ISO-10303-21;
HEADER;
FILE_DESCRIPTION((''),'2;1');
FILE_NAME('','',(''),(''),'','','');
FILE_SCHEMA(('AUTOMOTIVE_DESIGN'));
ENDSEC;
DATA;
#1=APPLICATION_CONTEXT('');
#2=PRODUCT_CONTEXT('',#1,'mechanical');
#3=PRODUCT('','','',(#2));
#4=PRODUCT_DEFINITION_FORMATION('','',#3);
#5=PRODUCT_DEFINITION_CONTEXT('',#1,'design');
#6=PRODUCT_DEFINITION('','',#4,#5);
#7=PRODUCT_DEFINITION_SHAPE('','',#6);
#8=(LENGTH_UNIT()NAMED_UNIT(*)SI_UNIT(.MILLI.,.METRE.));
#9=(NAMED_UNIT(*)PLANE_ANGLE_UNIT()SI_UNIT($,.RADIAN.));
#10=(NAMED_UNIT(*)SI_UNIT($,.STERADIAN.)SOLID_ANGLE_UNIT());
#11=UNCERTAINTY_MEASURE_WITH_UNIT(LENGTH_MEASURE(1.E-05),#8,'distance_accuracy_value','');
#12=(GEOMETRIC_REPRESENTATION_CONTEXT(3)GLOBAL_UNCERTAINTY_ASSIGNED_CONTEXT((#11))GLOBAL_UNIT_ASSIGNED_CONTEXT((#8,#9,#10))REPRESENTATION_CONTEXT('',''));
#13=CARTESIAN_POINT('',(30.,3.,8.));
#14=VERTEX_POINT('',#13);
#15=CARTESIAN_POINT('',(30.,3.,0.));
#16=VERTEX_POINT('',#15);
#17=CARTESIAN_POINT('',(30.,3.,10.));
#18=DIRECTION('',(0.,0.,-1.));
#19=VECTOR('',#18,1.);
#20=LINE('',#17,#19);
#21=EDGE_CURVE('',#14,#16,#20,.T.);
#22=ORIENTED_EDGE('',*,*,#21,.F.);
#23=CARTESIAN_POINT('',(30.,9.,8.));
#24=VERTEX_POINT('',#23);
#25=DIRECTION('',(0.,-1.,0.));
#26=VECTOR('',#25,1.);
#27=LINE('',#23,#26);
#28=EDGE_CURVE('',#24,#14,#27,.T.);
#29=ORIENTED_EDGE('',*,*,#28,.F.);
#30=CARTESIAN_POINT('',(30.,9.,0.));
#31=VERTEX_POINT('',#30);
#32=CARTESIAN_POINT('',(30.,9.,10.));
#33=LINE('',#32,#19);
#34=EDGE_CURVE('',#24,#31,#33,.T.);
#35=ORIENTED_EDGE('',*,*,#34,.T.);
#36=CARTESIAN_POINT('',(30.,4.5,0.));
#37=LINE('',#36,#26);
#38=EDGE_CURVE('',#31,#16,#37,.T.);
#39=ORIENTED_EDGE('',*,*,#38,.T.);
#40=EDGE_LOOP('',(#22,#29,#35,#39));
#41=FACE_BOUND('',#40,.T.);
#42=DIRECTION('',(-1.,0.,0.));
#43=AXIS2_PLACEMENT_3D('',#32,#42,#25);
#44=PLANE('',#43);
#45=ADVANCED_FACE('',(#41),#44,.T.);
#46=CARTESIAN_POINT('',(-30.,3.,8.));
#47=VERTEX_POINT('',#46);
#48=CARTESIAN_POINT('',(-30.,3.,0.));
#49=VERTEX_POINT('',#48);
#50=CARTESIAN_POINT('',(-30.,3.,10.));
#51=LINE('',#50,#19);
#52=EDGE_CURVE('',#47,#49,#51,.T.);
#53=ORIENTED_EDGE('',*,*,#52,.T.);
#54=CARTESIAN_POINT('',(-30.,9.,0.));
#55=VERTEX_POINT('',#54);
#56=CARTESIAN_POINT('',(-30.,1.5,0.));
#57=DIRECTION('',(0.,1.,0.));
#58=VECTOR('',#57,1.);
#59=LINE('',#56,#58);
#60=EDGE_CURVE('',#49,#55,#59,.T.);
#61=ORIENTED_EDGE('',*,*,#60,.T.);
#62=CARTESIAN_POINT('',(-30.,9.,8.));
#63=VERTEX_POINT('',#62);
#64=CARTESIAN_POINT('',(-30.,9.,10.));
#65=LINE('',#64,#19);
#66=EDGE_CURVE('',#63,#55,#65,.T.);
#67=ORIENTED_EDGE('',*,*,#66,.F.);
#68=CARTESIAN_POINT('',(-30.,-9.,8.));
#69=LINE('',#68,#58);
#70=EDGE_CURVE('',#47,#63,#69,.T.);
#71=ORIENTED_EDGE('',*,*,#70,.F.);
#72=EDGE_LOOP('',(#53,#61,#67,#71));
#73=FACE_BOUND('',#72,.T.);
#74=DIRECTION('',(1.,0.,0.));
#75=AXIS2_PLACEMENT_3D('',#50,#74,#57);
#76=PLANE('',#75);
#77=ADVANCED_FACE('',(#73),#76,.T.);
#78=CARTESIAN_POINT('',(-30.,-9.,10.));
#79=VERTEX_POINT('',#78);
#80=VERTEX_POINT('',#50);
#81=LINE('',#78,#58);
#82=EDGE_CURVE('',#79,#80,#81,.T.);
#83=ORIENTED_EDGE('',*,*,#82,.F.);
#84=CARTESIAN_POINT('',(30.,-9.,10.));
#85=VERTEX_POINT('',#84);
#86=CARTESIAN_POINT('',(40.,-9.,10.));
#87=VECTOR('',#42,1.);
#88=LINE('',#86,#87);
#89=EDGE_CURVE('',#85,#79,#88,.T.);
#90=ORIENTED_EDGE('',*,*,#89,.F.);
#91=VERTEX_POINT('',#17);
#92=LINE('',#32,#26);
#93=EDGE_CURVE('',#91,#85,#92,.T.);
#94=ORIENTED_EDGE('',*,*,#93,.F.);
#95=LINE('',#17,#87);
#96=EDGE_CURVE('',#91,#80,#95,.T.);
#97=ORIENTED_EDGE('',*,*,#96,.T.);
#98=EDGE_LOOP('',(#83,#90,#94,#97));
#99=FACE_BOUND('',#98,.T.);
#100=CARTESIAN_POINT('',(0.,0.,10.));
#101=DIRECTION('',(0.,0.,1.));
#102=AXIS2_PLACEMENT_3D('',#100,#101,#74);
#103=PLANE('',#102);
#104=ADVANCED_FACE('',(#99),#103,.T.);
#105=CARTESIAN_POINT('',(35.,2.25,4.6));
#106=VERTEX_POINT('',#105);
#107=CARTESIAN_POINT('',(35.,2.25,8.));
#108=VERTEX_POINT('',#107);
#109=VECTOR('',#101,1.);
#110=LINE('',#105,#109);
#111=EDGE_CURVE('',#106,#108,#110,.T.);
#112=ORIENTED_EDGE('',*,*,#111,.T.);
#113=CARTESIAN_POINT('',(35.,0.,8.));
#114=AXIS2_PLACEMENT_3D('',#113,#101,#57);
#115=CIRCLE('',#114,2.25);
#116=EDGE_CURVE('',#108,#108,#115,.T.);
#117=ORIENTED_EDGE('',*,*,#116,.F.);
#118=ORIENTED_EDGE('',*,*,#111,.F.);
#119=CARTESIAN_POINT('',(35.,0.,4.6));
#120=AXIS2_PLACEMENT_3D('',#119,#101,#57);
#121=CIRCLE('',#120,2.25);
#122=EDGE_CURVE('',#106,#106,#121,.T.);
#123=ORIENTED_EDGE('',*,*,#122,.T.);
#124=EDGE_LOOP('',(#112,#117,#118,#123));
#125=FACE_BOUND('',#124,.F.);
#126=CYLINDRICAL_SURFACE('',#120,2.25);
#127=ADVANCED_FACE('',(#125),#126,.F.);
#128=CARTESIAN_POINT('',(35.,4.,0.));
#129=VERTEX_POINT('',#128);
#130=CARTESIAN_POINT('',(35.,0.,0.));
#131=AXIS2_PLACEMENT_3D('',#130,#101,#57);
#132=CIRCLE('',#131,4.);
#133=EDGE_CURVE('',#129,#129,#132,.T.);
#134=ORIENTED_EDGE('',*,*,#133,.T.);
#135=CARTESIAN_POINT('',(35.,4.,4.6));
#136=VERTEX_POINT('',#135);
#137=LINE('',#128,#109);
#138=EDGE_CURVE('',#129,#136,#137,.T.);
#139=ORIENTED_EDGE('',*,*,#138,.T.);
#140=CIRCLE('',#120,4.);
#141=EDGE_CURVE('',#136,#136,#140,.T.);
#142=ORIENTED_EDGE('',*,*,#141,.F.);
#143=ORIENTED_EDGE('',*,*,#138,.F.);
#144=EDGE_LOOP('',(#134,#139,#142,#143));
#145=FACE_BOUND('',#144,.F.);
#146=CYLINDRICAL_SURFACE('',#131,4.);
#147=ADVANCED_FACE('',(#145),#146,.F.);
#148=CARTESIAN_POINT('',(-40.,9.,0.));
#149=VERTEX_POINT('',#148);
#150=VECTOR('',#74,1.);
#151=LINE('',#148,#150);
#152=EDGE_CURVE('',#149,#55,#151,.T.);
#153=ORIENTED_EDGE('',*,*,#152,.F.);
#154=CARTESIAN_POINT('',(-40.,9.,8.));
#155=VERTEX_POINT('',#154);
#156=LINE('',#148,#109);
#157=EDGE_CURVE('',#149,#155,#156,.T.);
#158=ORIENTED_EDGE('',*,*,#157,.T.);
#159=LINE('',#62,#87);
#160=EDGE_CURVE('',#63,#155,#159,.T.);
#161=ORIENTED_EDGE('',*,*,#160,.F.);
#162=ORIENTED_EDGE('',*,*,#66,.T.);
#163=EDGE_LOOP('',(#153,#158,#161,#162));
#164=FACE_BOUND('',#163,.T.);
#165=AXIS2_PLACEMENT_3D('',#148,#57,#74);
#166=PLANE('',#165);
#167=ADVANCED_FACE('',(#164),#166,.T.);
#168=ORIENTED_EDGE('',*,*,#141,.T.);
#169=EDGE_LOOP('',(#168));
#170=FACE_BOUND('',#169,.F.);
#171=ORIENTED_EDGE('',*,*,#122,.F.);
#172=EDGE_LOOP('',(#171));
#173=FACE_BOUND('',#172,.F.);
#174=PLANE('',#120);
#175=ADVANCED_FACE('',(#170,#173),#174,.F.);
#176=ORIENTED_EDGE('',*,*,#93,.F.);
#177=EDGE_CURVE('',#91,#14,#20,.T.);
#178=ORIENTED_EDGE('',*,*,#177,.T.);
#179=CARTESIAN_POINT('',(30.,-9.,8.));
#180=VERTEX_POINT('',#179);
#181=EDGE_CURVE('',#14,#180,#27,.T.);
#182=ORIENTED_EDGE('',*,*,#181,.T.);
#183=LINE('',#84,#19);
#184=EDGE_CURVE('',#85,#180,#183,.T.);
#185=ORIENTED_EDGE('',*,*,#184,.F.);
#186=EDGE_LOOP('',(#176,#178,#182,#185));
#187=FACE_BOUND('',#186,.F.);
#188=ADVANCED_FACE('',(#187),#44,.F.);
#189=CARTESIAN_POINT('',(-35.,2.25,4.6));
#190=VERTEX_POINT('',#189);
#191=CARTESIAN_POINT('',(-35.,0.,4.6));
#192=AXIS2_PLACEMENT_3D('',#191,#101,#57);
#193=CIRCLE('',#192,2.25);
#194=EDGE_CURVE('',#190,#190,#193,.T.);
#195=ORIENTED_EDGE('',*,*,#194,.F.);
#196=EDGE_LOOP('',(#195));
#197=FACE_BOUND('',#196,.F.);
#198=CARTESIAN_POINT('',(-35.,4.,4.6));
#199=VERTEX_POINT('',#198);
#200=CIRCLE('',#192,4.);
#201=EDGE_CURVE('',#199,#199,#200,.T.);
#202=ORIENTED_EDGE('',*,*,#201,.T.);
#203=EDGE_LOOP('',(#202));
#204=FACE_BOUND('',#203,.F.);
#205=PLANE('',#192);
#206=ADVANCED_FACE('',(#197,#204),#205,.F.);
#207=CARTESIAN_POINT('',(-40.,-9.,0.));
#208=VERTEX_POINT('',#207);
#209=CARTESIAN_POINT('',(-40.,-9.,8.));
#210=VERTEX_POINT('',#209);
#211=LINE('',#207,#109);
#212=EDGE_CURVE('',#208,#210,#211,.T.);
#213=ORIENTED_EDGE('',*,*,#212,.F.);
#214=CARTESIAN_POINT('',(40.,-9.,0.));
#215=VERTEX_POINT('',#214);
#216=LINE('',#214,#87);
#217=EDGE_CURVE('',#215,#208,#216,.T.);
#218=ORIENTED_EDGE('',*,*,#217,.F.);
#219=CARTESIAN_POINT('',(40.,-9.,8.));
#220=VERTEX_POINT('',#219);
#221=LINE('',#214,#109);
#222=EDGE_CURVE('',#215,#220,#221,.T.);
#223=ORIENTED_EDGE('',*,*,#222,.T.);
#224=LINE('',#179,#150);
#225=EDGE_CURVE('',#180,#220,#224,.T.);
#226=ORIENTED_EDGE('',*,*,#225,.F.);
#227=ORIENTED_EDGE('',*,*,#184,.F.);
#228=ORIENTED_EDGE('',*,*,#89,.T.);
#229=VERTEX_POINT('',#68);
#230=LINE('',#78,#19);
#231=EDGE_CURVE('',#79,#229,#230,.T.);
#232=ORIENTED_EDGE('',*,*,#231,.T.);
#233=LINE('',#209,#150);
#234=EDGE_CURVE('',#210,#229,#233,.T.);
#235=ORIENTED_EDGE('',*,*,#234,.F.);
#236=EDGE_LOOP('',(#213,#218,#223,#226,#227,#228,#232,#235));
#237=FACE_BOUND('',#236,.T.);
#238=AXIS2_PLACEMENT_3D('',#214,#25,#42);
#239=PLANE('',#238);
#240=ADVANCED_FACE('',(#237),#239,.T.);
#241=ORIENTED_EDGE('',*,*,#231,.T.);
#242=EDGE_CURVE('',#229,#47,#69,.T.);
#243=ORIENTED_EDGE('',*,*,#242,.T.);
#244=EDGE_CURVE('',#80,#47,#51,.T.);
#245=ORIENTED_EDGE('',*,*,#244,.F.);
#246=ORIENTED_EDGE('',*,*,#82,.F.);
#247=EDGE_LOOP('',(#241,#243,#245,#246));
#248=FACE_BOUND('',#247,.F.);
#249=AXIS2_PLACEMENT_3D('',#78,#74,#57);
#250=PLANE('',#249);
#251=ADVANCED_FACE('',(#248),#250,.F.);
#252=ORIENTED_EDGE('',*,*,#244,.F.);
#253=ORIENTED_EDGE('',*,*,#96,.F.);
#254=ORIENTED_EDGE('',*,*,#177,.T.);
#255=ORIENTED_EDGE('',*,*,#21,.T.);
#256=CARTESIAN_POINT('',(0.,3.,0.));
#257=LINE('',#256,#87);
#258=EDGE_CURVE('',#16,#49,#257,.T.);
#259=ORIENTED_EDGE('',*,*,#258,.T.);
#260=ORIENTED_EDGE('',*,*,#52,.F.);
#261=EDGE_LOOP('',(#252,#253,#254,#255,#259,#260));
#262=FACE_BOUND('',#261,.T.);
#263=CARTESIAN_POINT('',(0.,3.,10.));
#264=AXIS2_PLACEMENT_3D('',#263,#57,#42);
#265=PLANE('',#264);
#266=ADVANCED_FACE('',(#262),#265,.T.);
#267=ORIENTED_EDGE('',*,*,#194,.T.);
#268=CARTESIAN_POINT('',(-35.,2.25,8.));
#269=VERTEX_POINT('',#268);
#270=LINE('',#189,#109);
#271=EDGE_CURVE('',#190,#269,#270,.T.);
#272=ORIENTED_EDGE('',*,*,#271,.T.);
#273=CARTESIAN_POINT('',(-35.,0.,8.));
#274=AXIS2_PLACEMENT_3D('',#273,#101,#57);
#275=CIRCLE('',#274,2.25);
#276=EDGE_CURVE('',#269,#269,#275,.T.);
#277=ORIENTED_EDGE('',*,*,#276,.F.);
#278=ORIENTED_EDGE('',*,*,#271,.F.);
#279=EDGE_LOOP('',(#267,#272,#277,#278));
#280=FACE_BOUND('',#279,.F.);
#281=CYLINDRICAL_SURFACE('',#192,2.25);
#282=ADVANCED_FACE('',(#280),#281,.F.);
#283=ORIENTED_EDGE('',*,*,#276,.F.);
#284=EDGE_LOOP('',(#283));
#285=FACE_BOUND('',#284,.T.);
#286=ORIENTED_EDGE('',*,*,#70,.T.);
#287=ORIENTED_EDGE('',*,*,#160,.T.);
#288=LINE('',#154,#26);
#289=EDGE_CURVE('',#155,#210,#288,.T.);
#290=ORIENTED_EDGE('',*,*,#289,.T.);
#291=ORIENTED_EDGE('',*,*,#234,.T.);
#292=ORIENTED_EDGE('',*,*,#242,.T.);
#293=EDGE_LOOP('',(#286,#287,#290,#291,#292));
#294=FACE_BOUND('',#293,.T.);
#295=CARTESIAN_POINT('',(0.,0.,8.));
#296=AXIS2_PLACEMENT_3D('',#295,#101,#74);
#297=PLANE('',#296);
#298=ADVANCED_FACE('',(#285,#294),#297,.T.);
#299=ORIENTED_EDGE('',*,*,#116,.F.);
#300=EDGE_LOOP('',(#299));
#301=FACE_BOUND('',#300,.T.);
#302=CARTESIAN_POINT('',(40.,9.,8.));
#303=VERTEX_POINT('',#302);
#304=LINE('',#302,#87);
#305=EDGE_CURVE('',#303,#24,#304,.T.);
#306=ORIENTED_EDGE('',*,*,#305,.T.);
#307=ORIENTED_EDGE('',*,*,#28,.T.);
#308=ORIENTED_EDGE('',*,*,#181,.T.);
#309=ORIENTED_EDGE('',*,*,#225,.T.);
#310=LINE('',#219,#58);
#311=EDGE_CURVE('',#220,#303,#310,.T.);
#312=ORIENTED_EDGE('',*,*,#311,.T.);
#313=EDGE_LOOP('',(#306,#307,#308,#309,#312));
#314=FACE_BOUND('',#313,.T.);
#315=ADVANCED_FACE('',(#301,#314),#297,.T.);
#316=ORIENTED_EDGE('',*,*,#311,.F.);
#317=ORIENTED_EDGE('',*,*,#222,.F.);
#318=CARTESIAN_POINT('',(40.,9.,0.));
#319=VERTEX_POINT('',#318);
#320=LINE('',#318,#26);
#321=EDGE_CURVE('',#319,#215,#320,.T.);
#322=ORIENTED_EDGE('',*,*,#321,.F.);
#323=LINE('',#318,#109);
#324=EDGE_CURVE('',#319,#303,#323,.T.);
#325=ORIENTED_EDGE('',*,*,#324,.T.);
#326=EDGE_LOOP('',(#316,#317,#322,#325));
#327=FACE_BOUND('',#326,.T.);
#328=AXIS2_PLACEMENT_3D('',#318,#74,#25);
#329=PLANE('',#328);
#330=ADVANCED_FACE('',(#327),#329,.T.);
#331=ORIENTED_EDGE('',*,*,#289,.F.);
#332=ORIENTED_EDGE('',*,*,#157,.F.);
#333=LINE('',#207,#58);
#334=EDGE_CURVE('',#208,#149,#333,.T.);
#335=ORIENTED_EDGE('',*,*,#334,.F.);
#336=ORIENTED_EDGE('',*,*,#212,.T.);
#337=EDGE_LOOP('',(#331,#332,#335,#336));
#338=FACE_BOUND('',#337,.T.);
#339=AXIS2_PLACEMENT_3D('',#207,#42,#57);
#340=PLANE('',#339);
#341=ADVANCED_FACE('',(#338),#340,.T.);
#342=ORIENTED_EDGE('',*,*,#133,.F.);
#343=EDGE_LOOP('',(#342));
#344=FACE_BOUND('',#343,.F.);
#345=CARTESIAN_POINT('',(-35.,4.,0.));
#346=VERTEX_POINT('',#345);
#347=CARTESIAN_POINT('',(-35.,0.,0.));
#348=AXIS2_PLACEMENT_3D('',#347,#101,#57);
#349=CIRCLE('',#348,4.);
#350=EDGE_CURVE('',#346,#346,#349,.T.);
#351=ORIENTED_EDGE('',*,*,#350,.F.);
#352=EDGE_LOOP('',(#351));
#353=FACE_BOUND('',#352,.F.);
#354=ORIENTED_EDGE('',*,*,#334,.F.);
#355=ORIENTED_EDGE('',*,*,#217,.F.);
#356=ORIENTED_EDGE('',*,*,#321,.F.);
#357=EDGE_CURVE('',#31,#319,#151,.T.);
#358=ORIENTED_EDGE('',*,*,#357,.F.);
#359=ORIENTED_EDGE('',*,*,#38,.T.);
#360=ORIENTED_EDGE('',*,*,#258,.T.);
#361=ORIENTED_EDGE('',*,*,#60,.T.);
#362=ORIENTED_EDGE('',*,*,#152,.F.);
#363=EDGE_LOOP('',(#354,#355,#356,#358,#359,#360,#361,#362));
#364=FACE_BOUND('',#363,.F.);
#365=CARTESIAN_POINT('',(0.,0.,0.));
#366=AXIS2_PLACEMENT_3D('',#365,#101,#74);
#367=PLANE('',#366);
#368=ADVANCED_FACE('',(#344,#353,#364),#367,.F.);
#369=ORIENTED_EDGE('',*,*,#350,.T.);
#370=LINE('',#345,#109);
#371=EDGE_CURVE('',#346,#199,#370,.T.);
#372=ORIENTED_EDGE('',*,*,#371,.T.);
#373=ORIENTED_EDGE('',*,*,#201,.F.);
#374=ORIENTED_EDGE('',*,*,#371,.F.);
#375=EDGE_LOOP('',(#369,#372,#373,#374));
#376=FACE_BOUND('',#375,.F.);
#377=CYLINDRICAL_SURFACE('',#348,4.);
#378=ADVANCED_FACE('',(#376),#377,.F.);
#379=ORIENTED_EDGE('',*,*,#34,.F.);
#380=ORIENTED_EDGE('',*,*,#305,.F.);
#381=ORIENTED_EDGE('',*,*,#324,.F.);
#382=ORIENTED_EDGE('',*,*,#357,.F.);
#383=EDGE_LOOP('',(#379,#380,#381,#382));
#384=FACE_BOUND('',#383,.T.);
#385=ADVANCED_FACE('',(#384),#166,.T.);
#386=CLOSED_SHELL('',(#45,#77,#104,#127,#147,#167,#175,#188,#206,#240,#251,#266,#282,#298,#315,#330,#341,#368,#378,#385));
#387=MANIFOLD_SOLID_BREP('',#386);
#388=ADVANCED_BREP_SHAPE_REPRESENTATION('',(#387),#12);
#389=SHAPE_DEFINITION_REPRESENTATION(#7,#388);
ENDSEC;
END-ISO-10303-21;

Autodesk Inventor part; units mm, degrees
ref_plane "YZ Plane" through (0, 0, 0) normal (1, 0, 0) x (0, 1, 0)
ref_plane "XZ Plane" through (0, 0, 0) normal (0, 1, 0) x (-1, 0, 0)
ref_plane "XY Plane" through (0, 0, 0) normal (0, 0, 1) x (1, 0, 0)
sketch "Skizze1" plane through (0, 0, 0) normal (0, 0, 1) x (1, 0, 0)
  line L0 (-40, 9) -> (40, 9)
  line L1 (40, 9) -> (40, -9)
  line L2 (40, -9) -> (-40, -9)
  line L3 (-40, -9) -> (-40, 9)
  line L4 (-40, 9) -> (40, -9) construction
  line L5 (40, 9) -> (-40, -9) construction
  point P0 (0, 0)
  dimension "Breite" = 80
  dimension "d1" = 18
extrude "Extrusion1" add sketch "Skizze1" along normal blind 10
sketch "Skizze2" plane through (0, 0, 10) normal (0, 0, 1) x (1, 0, 0)
  line L0 (-56, 0) -> (56, 0) projected
  line L1 (0, -12.6) -> (0, 12.6) projected
  line L2 (40, 9) -> (-40, 9) projected
  line L3 (-40, 9) -> (-40, -9) projected
  line L4 (-40, -9) -> (40, -9) projected
  line L5 (40, -9) -> (40, 9) projected
  line L6 (30, 3) -> (-30, 3)
  line L7 (-30, 3) -> (-30, 9)
  line L8 (-30, 9) -> (30, 9)
  line L9 (30, 9) -> (30, 3)
  line L10 (30, 3) -> (-30, 9) construction
  line L11 (-30, 3) -> (30, 9) construction
  point P0 (0, 0)
  point P1 (0, 6)
  dimension "d4" = 60
  dimension "d5" = 6
extrude "Extrusion2" cut sketch "Skizze2" against normal through all contours L6 L7 L2 L1 | L1 L2 L9 L6
sketch "Skizze3" plane through (0, 0, 10) normal (0, 0, 1) x (1, 0, 0)
  line L0 (-30, 9) -> (-40, 9) projected
  line L1 (-30, 9) -> (-40, 9)
  line L2 (-40, 9) -> (-40, -9)
  line L3 (-40, -9) -> (-30, -9)
  line L4 (-30, -9) -> (-30, 9)
  point P0 (0, 0)
extrude "Extrusion3" cut sketch "Skizze3" against normal blind 2
sketch "Skizze4" plane through (0, 0, 10) normal (0, 0, 1) x (1, 0, 0)
  line L0 (40, 9) -> (30, 9)
  line L1 (30, 9) -> (30, -9)
  line L2 (30, -9) -> (40, -9)
  line L3 (40, -9) -> (40, 9)
  point P0 (0, 0)
extrude "Extrusion4" cut sketch "Skizze4" against normal blind 2
sketch "Skizze5" plane through (0, 0, 0) normal (0, 0, -1) x (-1, 0, 0)
  line L0 (0, -12.6) -> (0, 12.6) projected
  line L1 (-30, 9) -> (-40, 9) projected
  point P0 (0, 0)
  point P1 (-35, 0)
  point P2 (35, 0)
  dimension "d12" = 9
hole "Bohrung1" at (35, 0, 0) at (-35, 0, 0) direction (0, 0, 1) diameter 4.5 end through all counterbore diameter 8 counterbore depth 4.6
properties part number "ABI_KastenSchnitt"
